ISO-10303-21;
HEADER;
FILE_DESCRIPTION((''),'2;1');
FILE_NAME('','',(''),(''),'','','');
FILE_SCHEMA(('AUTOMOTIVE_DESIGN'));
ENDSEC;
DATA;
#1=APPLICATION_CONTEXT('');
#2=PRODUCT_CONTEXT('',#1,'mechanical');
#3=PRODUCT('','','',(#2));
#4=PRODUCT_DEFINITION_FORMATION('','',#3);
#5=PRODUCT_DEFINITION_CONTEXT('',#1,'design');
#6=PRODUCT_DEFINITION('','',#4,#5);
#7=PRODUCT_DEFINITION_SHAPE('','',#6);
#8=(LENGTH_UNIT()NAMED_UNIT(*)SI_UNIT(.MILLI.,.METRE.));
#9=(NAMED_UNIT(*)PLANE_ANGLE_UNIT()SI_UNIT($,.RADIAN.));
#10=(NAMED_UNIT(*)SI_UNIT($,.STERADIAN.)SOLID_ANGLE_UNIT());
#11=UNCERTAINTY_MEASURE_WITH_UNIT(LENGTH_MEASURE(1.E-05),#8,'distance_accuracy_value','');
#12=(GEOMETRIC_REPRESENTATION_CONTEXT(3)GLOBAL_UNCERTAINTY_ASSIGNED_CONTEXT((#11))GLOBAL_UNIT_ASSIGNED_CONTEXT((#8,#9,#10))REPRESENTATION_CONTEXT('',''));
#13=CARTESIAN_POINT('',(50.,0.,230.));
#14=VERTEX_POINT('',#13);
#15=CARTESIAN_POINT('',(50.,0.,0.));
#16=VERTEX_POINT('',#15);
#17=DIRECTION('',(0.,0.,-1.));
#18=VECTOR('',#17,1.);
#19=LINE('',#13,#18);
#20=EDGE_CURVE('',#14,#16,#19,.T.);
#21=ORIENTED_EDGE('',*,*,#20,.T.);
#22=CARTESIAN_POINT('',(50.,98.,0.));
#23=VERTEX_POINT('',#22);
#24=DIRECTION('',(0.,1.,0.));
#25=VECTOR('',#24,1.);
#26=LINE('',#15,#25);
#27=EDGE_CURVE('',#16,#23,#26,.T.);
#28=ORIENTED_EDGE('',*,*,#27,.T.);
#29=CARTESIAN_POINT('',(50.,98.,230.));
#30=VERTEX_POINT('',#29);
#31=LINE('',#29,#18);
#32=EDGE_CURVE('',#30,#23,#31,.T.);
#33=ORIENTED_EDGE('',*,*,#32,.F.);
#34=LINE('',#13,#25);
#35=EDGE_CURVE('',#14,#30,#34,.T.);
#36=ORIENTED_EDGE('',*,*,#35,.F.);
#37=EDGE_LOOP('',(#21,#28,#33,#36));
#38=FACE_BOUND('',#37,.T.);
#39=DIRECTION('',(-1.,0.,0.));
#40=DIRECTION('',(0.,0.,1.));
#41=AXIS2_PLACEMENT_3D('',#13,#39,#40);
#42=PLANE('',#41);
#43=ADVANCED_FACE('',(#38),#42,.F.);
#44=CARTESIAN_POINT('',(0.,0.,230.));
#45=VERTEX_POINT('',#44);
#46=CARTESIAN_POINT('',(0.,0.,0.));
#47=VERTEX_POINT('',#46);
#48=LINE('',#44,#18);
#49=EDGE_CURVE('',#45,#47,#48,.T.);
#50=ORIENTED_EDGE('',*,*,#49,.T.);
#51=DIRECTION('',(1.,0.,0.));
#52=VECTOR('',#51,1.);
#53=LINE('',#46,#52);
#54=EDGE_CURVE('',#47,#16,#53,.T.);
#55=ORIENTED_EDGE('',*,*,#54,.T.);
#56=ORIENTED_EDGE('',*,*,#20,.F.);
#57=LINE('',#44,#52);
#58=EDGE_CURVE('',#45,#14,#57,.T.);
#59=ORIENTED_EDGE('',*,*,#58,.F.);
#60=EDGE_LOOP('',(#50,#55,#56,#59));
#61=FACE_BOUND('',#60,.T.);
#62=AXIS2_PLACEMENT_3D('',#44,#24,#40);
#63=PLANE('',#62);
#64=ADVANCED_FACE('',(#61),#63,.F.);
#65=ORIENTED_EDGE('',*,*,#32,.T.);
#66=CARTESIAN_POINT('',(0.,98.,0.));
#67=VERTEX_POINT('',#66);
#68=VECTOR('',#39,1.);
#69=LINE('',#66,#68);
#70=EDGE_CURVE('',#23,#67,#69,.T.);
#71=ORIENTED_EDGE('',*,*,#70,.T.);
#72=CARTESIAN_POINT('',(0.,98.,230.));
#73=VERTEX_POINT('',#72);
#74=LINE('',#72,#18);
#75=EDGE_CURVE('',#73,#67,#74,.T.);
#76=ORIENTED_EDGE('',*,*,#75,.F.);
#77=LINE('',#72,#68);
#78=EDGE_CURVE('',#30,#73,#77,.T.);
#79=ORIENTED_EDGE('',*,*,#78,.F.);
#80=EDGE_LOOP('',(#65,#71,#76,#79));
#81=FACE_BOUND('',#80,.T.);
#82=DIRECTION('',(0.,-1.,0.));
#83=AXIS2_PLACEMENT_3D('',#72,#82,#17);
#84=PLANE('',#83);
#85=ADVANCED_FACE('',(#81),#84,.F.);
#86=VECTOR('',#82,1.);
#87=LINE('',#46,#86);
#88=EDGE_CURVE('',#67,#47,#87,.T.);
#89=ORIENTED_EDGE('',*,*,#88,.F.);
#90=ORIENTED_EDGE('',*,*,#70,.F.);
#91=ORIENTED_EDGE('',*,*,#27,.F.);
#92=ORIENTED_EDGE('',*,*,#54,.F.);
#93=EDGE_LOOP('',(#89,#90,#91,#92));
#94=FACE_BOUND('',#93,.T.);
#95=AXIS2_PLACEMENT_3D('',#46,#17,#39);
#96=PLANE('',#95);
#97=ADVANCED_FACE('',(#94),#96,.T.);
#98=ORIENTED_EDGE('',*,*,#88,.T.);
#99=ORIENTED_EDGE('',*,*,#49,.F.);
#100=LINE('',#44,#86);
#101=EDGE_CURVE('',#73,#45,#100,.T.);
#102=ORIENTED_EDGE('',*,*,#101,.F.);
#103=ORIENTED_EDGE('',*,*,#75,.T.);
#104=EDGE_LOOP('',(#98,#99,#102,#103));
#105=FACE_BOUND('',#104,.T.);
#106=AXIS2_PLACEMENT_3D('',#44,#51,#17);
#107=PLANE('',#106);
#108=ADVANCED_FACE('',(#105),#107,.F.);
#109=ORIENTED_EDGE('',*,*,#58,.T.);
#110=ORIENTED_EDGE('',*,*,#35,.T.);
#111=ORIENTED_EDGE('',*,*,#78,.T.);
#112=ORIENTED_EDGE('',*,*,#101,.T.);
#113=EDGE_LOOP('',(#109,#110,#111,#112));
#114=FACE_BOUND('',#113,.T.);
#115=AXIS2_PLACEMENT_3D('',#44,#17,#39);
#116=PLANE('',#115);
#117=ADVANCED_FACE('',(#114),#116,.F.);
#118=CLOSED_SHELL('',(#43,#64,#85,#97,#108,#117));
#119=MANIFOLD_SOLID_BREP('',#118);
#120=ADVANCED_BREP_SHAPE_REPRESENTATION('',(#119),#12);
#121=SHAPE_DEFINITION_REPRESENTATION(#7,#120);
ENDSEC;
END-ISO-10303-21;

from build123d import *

# Parameters (mm, degrees)
ESBO_O1_W                = 50
ESBO_O1_H                = 98
RESSALTO_EXTRUS_O1_DEPTH = 230


with BuildPart() as part:
    # Esboço1 → Ressalto-extrusão1 (new body)
    with BuildSketch(Plane.XY):
        with Locations((25, 49)):
            Rectangle(ESBO_O1_W, ESBO_O1_H)
    extrude(amount=RESSALTO_EXTRUS_O1_DEPTH)


solid = part.part
